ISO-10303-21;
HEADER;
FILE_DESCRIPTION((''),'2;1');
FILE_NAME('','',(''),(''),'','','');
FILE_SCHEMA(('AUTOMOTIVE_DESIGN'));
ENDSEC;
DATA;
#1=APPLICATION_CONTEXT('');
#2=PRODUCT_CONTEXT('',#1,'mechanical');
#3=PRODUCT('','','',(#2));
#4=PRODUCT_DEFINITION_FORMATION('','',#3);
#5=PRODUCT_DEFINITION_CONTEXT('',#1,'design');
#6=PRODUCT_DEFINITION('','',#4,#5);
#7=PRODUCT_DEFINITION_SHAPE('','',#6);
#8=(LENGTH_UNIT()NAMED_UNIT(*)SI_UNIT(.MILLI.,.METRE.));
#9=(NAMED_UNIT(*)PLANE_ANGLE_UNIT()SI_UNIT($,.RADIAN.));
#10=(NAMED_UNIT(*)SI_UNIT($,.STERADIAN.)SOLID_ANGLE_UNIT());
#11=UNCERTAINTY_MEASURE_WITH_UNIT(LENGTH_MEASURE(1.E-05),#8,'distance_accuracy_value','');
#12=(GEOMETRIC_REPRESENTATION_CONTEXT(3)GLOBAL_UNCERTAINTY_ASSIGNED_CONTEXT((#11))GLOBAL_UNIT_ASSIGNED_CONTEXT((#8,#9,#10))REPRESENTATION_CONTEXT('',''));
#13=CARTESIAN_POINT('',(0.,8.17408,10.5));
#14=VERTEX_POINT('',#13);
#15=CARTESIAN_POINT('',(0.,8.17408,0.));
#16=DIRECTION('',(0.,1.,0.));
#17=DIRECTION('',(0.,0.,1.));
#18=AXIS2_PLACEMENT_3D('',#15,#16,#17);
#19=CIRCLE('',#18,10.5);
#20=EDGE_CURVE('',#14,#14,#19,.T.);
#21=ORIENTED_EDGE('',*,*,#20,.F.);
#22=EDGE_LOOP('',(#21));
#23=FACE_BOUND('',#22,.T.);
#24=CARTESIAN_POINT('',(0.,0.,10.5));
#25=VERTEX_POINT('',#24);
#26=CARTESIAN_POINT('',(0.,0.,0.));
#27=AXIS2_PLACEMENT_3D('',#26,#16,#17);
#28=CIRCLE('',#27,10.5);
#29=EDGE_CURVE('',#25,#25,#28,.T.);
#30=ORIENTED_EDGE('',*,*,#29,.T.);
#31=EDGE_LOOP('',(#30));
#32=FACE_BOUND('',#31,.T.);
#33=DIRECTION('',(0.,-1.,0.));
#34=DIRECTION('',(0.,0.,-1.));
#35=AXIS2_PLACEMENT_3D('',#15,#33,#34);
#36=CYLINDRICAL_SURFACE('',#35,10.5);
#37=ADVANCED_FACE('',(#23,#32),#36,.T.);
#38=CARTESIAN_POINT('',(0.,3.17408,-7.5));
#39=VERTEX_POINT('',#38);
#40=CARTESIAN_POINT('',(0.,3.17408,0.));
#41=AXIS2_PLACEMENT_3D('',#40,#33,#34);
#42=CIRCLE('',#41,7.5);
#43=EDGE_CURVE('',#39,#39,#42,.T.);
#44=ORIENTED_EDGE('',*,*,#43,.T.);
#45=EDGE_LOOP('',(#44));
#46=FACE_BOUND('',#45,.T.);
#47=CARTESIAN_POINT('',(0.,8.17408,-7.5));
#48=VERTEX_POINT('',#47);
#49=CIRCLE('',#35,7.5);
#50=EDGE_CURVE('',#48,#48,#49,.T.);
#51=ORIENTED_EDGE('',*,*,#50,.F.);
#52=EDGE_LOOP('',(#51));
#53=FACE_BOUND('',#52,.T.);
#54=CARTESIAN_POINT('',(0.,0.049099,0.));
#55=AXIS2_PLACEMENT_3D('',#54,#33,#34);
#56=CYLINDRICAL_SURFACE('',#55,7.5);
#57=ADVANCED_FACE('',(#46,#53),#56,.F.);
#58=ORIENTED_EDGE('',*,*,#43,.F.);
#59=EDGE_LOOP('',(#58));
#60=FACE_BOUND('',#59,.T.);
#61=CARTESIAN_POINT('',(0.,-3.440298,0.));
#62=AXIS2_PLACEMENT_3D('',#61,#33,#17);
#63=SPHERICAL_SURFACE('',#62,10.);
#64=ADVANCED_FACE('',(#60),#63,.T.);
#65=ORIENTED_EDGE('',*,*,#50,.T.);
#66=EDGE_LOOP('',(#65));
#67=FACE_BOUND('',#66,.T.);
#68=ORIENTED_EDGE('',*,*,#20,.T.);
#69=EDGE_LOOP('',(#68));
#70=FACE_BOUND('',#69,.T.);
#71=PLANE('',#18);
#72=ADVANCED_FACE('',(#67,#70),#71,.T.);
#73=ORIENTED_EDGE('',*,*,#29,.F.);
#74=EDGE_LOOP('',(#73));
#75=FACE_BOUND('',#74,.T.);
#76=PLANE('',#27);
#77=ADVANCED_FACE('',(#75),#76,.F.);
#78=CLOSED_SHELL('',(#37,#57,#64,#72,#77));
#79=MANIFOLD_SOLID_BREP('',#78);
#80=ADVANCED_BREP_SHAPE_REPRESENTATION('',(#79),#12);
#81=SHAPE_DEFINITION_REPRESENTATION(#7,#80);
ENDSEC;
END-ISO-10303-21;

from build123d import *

# Parameters (mm, degrees)
SKETCH1_R           = 10.5
BOSS_EXTRUDE1_DEPTH = 8.17408016


with BuildPart() as part:
    # Sketch1 → Boss-Extrude1 (new body)
    with BuildSketch(Plane(origin=(0, 0, 0), x_dir=(1, 0, 0), z_dir=(0, 1, 0))):
        Circle(SKETCH1_R)
    extrude(amount=BOSS_EXTRUDE1_DEPTH)

    # Sketch2 → Cut-Revolve2 (revolve, cut)
    with BuildSketch(Plane(origin=(0, 0, 0), x_dir=(0, 0, -1), z_dir=(1, 0, 0))):
        with BuildLine():
            Line((0, 8.17408016), (7.5, 8.17408016))
            Line((7.5, 8.17408016), (7.5, 3.17408016))
            ThreePointArc((7.5, 3.17408016), (4.114378278, 5.67408016), (0, 6.559701883))
            Line((0, 6.559701883), (0, 8.17408016))
        make_face()
    revolve(axis=Axis((0, 0.049098768, 0), (0, 1, 0)), mode=Mode.SUBTRACT)


solid = part.part
